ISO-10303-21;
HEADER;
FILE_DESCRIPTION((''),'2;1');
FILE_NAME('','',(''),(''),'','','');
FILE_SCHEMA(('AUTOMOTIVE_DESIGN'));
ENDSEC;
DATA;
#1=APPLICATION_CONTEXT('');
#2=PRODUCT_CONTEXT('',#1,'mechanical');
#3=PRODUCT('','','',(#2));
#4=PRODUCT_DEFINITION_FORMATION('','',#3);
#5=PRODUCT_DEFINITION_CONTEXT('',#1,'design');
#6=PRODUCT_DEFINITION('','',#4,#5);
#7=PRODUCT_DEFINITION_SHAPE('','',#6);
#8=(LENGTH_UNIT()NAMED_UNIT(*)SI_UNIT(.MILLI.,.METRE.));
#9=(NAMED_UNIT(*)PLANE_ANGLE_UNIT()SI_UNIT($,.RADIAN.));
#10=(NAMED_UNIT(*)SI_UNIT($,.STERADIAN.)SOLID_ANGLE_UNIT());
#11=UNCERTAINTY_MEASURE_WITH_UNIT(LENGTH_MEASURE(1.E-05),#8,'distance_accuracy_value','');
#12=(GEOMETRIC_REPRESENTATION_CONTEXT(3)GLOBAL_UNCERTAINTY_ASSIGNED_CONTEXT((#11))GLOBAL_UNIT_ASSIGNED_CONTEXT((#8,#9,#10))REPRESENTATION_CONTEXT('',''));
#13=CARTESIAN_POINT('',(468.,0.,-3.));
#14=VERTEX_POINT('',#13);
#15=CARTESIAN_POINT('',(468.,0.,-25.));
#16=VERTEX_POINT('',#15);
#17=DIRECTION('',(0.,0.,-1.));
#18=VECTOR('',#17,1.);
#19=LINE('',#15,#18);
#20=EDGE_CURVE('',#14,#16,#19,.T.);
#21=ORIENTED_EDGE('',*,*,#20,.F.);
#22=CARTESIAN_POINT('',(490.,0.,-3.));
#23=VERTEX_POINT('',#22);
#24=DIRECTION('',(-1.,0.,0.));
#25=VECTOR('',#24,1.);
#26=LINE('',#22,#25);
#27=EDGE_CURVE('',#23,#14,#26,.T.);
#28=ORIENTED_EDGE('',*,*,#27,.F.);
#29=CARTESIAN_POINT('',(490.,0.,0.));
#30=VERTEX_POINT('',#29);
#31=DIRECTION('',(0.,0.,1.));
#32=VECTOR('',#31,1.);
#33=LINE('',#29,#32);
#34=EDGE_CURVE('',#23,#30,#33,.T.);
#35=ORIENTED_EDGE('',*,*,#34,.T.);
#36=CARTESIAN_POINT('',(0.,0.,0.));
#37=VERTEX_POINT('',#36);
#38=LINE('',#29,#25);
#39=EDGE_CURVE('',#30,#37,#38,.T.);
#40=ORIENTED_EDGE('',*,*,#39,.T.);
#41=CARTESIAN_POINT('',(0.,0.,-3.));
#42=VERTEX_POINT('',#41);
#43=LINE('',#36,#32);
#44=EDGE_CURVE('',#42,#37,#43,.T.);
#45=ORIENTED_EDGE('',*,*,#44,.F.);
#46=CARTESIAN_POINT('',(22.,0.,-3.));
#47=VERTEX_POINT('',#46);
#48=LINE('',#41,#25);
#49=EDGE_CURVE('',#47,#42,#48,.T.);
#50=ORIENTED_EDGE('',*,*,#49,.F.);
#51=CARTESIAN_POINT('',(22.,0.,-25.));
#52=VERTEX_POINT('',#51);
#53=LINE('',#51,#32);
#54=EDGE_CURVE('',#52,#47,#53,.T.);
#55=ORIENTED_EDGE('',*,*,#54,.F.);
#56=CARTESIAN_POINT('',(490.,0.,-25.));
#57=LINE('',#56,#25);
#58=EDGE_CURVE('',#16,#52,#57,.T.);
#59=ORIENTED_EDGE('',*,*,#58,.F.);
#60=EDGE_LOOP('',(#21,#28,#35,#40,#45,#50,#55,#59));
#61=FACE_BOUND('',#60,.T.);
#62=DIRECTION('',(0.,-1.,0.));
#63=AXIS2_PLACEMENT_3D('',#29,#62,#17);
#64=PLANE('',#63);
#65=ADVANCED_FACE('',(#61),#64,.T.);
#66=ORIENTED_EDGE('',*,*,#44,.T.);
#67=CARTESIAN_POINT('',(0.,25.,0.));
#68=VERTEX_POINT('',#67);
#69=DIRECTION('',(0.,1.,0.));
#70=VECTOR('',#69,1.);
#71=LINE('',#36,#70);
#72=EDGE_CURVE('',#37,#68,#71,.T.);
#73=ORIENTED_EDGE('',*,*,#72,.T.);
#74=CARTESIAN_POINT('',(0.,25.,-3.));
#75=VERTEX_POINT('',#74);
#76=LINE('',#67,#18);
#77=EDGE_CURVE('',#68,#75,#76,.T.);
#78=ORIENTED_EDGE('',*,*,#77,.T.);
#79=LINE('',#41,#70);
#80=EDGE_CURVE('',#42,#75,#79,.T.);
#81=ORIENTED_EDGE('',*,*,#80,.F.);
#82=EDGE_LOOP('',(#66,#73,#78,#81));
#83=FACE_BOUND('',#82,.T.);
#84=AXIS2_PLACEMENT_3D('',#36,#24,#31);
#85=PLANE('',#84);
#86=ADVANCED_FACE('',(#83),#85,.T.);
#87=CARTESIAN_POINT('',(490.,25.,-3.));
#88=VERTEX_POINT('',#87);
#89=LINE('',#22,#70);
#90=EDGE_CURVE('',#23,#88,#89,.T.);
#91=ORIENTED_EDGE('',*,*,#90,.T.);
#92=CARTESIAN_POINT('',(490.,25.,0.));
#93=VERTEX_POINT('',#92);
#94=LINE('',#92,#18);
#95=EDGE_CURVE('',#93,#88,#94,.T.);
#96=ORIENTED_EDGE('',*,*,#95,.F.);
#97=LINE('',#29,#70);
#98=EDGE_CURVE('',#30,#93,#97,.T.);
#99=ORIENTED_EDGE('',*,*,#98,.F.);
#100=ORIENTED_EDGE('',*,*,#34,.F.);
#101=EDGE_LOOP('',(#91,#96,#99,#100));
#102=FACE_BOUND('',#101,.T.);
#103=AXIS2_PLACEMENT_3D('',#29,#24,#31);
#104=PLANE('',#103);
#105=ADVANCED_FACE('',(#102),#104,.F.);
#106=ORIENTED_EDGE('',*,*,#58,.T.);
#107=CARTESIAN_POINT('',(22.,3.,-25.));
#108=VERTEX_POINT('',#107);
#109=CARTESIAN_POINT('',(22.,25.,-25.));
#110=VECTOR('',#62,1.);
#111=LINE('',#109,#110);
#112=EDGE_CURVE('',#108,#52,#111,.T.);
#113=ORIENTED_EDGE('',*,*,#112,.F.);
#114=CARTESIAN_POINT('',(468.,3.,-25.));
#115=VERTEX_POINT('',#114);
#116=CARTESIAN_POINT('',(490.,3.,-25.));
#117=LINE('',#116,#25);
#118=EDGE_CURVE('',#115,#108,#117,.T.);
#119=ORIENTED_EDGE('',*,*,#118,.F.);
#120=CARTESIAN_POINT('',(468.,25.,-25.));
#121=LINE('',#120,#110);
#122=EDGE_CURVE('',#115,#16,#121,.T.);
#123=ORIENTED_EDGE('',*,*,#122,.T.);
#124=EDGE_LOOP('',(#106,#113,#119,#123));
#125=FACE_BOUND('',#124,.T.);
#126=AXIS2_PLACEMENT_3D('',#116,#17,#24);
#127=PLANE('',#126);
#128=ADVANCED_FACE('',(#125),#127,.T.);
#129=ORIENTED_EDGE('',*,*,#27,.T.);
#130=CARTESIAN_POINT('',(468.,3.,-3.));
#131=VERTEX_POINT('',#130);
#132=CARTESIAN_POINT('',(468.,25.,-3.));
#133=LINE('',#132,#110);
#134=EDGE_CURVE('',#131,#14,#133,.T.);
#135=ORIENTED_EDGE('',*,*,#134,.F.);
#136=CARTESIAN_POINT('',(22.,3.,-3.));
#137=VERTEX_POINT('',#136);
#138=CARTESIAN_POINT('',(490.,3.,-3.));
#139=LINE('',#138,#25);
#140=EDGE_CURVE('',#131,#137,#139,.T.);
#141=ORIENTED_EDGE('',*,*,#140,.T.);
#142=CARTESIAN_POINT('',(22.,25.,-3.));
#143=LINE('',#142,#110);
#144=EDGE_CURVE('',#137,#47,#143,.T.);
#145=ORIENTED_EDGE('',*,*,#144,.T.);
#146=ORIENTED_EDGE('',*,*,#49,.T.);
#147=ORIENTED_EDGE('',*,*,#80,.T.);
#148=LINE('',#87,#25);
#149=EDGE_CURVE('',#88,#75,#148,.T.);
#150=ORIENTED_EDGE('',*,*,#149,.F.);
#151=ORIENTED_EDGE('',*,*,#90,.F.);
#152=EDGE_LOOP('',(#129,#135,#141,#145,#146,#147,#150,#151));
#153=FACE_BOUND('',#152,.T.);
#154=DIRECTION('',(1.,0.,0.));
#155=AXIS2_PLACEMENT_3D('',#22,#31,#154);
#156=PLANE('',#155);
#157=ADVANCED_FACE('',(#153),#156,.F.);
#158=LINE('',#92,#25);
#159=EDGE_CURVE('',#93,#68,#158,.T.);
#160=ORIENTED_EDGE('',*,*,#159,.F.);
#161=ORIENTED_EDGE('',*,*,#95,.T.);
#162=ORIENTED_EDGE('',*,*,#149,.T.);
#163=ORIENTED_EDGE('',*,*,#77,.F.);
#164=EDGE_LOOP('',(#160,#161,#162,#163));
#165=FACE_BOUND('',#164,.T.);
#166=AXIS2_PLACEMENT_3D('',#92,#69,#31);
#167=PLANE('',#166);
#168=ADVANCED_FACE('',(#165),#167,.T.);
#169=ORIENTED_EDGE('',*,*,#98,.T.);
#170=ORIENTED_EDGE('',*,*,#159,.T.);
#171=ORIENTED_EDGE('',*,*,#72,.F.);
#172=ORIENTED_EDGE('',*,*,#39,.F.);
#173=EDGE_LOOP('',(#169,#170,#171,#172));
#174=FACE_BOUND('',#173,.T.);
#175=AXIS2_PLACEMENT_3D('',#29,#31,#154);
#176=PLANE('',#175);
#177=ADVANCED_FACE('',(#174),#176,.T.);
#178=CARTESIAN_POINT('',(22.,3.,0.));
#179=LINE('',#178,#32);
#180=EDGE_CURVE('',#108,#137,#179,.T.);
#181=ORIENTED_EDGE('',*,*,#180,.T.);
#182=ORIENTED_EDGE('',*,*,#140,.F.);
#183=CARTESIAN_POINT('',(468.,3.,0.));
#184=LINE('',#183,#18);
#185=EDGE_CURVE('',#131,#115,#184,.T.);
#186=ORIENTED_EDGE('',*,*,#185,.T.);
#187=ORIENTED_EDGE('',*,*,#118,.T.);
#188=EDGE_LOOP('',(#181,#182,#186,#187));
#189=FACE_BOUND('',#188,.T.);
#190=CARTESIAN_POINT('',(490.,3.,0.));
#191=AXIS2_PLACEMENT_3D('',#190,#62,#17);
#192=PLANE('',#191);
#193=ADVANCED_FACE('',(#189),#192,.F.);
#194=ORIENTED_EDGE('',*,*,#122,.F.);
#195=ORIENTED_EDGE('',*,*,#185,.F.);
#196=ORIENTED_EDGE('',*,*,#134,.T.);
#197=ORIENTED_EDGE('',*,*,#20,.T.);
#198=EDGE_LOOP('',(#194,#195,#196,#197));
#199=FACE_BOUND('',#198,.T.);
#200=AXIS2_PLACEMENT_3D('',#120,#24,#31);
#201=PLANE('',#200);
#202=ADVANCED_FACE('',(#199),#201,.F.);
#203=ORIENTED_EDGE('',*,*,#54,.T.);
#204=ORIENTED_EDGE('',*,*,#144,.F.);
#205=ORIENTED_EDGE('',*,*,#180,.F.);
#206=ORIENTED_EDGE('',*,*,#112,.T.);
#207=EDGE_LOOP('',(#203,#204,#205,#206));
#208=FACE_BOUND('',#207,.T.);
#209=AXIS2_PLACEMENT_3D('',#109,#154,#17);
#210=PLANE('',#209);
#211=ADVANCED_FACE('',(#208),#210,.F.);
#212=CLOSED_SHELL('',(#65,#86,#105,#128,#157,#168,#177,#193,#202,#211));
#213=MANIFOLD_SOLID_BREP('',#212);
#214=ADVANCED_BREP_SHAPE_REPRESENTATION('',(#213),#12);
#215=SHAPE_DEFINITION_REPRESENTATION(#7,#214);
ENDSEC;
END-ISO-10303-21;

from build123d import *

# Parameters (mm, degrees)
EXTRUDE_1_DEPTH     = 490
SKETCH_2_W          = 22
SKETCH_2_H          = 22
CUT_EXTRUDE_1_DEPTH = 26


with BuildPart() as part:
    # Эскиз1 → Вытянуть-Тонкостенный1 (new body)
    with BuildSketch(Plane(origin=(0, 0, 0), x_dir=(0, 0, -1), z_dir=(1, 0, 0))):
        Polygon((0, 25), (0, 0), (25, 0), (25, 3), (3, 3), (3, 25), align=None)
    extrude(amount=EXTRUDE_1_DEPTH)

    # Эскиз2 → Вырез-Вытянуть1 (cut, through all)
    with BuildSketch(Plane.XZ):
        with Locations((11, -14)):
            Rectangle(SKETCH_2_W, SKETCH_2_H)
        with Locations((479, -14)):
            Rectangle(SKETCH_2_W, SKETCH_2_H)
    extrude(amount=-CUT_EXTRUDE_1_DEPTH, mode=Mode.SUBTRACT)


solid = part.part
